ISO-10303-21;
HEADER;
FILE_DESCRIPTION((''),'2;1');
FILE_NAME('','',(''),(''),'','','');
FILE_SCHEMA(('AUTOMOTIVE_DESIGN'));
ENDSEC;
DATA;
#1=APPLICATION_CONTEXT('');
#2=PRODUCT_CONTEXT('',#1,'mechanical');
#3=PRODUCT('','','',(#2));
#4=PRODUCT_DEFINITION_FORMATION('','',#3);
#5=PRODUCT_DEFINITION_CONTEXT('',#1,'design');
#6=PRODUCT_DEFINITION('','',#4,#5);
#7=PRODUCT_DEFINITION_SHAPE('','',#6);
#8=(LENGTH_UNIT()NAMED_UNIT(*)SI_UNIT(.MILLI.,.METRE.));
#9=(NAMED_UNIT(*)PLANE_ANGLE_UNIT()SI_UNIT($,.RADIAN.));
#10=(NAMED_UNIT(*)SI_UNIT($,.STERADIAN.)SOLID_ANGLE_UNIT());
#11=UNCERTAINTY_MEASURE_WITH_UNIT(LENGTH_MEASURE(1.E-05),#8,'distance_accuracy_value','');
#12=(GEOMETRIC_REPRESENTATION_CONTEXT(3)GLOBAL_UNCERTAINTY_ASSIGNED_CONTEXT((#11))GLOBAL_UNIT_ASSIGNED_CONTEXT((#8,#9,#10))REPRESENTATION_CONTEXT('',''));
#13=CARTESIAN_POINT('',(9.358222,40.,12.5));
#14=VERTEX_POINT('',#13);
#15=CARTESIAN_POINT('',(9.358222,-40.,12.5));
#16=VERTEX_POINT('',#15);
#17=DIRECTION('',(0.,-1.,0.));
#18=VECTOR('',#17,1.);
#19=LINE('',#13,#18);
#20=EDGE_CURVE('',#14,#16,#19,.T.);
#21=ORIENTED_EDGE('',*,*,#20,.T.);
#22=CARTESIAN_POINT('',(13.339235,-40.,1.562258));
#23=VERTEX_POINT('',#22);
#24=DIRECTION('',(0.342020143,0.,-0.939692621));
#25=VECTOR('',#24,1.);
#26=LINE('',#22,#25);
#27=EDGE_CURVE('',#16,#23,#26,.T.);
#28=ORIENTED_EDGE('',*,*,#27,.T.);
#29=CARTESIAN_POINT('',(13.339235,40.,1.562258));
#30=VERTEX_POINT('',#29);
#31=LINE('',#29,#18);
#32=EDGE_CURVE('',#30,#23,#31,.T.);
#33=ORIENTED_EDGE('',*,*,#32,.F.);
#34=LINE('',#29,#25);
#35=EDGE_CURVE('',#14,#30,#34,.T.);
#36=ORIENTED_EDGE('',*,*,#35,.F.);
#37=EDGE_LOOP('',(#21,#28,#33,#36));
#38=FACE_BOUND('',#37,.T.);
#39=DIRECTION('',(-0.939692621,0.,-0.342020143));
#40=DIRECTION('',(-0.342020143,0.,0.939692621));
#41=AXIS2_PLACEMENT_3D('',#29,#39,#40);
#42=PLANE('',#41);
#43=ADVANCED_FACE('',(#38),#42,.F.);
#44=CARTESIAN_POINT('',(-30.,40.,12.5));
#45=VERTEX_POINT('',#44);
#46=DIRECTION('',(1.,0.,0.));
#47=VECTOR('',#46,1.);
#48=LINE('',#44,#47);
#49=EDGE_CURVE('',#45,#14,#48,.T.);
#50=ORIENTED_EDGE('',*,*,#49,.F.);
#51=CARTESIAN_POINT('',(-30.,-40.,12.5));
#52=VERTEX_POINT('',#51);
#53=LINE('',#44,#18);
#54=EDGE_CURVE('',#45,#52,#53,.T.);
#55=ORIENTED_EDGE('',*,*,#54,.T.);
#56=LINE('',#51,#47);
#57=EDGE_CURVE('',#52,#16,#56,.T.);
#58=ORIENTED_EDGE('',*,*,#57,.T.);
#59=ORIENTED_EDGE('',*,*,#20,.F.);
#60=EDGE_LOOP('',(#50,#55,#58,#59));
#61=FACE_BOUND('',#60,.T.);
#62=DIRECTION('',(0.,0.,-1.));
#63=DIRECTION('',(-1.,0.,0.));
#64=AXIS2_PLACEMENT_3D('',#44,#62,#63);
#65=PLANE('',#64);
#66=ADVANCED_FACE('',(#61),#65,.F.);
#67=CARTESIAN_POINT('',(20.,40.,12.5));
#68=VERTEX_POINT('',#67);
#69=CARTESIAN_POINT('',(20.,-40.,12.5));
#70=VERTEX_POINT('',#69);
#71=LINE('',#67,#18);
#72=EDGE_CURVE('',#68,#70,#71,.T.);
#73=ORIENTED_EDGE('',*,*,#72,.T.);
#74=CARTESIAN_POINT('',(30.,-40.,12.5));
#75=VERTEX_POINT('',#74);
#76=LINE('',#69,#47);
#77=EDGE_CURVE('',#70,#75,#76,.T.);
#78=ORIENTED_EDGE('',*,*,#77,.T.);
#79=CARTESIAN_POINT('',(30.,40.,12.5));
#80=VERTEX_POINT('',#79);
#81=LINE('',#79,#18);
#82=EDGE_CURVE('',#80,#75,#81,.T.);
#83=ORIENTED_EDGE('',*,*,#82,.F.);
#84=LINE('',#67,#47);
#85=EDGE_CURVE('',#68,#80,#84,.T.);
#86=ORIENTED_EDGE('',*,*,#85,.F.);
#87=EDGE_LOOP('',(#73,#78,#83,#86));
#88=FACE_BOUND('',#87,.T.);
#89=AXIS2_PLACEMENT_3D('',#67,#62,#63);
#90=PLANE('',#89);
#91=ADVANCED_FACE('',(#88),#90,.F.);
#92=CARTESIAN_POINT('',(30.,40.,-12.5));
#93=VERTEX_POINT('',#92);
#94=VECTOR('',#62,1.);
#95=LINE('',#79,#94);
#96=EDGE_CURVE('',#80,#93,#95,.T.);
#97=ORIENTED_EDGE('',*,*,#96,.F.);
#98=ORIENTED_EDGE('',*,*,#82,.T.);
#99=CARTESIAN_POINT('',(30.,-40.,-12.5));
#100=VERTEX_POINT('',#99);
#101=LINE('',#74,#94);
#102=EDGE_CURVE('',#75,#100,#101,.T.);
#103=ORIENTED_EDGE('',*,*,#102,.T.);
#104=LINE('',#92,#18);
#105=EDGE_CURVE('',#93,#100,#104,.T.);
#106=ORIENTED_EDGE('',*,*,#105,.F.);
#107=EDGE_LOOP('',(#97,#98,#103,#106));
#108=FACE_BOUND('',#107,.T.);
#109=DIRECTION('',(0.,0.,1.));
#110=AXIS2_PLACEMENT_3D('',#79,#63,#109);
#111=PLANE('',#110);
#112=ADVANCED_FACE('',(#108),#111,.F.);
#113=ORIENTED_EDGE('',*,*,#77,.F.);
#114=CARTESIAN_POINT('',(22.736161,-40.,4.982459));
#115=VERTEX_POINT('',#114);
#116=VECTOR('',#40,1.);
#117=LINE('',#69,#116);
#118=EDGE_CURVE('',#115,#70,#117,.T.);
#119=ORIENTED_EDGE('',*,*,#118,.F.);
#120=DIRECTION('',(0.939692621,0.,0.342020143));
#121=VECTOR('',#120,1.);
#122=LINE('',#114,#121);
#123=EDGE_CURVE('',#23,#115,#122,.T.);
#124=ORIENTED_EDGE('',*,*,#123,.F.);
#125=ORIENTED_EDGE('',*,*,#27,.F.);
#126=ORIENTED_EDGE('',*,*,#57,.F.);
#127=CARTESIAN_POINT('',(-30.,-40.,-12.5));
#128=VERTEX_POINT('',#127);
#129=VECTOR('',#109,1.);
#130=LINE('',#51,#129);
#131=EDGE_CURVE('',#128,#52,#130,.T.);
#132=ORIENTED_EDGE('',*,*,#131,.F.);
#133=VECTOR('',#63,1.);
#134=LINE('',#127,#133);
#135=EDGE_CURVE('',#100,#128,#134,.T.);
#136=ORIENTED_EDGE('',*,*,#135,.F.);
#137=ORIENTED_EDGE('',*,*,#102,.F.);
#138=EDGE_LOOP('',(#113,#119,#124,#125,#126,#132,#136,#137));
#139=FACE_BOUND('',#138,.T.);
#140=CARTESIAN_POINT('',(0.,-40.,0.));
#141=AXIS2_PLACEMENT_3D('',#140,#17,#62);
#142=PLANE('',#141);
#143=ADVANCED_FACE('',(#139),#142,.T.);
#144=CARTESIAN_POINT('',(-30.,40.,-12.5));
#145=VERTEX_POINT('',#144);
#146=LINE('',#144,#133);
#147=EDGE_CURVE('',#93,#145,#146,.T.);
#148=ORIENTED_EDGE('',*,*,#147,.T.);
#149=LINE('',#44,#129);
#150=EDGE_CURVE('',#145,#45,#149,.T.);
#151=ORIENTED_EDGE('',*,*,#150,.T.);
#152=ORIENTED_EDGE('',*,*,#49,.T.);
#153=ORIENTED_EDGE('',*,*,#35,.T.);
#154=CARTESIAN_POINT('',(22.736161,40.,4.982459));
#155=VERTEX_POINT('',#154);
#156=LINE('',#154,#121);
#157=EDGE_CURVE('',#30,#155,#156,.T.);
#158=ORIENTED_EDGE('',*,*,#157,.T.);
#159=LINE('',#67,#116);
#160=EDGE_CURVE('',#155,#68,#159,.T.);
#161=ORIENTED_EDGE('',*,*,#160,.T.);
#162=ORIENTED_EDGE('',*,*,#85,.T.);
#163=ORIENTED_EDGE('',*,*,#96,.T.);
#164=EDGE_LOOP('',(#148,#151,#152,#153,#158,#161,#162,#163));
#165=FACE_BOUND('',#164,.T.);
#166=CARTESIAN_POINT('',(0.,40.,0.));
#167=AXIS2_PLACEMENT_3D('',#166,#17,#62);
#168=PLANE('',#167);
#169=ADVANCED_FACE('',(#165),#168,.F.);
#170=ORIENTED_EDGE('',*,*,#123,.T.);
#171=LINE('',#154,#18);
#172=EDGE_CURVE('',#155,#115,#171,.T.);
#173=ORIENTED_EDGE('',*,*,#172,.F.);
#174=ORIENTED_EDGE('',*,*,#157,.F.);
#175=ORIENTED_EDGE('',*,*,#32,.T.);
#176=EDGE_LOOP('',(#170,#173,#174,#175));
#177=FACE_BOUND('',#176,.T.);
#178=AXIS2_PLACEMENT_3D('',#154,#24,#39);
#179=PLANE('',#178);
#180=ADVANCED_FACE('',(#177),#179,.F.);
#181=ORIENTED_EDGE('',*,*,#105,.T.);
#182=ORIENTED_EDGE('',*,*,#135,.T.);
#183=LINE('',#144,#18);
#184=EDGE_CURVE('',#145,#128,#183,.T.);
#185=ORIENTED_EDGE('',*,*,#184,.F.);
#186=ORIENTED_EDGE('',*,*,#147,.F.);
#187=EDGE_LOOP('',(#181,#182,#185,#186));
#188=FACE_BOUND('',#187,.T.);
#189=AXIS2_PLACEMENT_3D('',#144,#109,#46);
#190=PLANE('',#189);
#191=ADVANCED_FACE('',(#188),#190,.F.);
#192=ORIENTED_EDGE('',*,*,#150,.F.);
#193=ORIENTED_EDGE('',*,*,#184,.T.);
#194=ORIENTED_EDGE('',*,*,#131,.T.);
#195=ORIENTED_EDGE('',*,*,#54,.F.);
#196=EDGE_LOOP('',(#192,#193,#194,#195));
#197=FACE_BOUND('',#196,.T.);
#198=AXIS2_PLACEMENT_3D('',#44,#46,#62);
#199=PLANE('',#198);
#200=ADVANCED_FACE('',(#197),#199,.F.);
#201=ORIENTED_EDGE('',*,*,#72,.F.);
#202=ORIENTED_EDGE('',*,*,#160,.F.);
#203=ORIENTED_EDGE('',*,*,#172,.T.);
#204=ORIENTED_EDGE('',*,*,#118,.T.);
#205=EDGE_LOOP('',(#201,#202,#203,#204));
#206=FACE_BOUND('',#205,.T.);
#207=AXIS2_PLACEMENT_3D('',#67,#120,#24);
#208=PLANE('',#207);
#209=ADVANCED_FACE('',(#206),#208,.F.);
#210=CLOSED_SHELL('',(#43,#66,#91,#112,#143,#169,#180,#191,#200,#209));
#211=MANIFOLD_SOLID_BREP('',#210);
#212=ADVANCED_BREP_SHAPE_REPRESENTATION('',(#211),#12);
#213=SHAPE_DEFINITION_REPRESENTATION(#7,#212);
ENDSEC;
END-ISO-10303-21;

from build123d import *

# Parameters (mm, degrees)
BOSS_EXTRUDE1_DEPTH = 40


with BuildPart() as part:
    # Sketch1 → Boss-Extrude1 (new, symmetric)
    with BuildSketch(Plane(origin=(0, 0, 0), x_dir=(-1, 0, 0), z_dir=(0, 1, 0))):
        Polygon((-20, 12.5), (-22.736161147, 4.982459034), (-13.339234939, 1.5622576), (-9.358222275, 12.5), (30, 12.5), (30, -12.5), (-30, -12.5), (-30, 12.5), align=None)
    extrude(amount=BOSS_EXTRUDE1_DEPTH, both=True)


solid = part.part
